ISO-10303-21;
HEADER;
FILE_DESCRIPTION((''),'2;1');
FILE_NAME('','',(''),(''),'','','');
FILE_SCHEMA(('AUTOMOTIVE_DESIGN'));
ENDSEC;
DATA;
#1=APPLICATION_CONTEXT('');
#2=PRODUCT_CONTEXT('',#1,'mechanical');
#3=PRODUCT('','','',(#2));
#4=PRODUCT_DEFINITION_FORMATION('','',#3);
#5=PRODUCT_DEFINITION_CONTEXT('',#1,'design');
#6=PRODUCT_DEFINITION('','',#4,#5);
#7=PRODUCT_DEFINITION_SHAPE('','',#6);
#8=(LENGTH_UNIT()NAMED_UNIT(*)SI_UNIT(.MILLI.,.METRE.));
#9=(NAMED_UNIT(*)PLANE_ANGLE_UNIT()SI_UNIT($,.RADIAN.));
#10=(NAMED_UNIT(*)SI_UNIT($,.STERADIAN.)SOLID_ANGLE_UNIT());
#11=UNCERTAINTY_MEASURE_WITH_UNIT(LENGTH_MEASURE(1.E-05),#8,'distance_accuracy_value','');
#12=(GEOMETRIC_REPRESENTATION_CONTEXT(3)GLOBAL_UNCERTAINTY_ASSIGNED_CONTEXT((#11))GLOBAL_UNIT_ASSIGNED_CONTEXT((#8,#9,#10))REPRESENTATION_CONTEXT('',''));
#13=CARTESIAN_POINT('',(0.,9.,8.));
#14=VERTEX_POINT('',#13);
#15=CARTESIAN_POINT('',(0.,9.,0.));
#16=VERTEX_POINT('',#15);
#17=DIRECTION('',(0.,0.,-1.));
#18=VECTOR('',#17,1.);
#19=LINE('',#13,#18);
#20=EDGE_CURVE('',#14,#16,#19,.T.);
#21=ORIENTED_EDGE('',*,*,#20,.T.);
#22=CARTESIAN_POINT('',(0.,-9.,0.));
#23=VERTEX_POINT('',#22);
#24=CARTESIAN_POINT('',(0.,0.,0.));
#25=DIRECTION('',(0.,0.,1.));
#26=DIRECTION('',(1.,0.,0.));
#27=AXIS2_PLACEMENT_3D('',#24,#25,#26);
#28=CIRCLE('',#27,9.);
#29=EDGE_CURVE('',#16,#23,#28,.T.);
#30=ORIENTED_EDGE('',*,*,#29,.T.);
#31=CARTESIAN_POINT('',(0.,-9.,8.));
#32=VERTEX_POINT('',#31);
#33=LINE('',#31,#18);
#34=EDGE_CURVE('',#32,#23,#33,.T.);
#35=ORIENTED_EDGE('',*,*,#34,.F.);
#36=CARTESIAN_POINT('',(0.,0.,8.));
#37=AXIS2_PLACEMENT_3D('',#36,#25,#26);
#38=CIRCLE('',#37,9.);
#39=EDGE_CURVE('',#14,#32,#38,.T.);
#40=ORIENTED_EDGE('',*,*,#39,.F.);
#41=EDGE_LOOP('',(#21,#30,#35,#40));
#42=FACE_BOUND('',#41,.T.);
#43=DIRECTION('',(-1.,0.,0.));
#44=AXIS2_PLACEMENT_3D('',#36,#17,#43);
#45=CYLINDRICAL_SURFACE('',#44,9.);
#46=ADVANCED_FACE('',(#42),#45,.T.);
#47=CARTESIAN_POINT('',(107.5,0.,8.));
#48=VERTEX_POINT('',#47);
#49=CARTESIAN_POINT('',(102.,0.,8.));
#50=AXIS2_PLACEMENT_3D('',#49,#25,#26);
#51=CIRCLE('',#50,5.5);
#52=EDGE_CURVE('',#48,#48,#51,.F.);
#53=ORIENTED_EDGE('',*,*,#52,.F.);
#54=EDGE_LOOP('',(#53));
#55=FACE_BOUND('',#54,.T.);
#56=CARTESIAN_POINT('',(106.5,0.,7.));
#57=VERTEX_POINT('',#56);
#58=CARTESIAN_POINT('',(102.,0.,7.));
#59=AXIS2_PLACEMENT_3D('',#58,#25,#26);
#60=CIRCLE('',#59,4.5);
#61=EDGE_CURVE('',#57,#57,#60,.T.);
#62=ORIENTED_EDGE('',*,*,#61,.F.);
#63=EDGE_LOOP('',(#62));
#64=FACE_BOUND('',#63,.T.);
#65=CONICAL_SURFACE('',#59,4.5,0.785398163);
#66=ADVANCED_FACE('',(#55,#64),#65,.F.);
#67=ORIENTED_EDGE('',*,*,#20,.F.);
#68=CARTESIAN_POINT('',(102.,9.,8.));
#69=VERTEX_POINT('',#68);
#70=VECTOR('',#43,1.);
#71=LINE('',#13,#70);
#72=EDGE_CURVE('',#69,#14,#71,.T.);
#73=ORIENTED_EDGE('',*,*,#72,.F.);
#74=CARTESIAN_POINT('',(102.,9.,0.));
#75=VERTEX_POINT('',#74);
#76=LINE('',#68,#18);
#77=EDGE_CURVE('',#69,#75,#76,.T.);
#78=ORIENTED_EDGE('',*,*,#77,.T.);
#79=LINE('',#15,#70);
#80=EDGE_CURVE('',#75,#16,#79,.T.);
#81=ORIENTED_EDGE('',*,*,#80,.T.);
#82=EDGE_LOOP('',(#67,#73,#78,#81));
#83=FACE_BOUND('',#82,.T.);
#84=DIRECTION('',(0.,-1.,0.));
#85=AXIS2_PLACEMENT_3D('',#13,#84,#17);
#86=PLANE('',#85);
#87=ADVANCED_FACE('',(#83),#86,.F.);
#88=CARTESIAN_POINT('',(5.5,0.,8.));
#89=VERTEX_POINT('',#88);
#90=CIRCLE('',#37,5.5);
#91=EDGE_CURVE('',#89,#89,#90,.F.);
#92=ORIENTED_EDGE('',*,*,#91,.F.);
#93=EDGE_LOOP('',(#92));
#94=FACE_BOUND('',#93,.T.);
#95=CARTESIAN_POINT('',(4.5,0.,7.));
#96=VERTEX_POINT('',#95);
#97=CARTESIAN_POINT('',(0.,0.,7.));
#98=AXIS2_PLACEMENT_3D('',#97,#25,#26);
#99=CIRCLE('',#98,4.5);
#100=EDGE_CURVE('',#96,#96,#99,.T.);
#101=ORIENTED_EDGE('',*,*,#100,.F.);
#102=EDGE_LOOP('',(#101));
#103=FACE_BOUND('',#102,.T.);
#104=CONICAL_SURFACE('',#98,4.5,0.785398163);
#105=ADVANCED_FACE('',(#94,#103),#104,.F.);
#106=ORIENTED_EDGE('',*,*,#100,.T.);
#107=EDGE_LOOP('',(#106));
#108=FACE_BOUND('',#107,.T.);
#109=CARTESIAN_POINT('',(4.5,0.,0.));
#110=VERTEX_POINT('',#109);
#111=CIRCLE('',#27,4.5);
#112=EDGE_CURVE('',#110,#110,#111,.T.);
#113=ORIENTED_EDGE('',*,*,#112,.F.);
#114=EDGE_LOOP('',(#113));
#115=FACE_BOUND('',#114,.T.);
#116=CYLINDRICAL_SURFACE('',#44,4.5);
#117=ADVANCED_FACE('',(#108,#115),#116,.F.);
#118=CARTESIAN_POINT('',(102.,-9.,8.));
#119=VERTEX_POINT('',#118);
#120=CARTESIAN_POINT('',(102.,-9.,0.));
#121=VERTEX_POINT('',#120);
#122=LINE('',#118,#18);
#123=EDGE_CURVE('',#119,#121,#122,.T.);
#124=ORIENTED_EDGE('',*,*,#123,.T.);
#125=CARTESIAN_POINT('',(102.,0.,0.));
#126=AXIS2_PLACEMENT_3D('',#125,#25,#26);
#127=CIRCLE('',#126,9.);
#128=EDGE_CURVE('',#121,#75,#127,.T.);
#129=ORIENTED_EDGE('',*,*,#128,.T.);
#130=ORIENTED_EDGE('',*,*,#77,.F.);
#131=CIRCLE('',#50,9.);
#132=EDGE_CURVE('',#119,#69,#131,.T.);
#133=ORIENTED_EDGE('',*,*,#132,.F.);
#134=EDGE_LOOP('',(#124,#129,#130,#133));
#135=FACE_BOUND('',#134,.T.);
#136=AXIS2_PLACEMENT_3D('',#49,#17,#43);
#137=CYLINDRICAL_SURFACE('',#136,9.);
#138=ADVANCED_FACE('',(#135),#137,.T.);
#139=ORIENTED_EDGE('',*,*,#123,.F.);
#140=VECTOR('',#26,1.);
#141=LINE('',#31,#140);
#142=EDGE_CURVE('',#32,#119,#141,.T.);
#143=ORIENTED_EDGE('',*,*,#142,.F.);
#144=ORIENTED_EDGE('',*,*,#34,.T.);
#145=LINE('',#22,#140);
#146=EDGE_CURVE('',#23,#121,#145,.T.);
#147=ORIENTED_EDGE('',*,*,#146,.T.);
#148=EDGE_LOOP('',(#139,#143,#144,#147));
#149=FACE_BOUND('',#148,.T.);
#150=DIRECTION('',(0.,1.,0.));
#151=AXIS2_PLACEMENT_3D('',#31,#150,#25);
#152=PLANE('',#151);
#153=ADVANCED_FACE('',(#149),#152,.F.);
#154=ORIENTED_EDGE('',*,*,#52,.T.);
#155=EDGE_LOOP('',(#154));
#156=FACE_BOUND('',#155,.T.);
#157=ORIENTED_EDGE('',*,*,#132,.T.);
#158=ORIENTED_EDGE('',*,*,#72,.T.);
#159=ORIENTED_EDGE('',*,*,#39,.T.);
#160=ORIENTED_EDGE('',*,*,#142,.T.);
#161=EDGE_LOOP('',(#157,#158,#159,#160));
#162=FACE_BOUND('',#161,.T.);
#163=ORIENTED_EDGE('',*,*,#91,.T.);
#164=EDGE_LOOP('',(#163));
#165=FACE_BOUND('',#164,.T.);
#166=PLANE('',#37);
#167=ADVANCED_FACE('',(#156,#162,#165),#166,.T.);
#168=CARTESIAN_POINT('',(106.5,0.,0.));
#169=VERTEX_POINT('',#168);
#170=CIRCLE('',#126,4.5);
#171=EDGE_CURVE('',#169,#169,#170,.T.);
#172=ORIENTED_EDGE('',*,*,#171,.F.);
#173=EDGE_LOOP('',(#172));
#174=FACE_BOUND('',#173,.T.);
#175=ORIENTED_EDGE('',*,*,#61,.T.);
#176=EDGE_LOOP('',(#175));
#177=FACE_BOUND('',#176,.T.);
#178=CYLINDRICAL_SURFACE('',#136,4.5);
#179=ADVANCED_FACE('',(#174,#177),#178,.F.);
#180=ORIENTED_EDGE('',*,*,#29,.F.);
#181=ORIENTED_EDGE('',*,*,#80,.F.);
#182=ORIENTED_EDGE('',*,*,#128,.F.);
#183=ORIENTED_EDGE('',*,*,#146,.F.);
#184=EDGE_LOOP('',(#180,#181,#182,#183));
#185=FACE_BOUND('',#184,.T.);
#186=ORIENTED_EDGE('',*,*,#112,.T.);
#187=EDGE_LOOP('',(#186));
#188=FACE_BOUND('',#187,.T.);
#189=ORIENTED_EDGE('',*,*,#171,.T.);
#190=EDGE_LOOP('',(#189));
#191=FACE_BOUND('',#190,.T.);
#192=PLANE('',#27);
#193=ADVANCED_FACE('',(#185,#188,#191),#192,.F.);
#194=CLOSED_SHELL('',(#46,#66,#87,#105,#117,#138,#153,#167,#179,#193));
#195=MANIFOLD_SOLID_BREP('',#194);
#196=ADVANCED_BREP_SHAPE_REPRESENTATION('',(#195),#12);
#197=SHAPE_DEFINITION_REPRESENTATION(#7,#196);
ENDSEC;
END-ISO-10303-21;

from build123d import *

# Parameters (mm, degrees)
SKETCH1_R           = 4.5
BOSS_EXTRUDE1_DEPTH = 8
CHAMFER1_SIZE       = 1


with BuildPart() as part:
    # Sketch1 → Boss-Extrude1 (new body)
    with BuildSketch(Plane.XY):
        with BuildLine():
            Line((0, 9), (102, 9))
            ThreePointArc((102, 9), (111, 0), (102, -9))
            Line((102, -9), (0, -9))
            ThreePointArc((0, -9), (-9, 0), (0, 9))
        make_face()
        Circle(SKETCH1_R, mode=Mode.SUBTRACT)
        with Locations((102, 0)):
            Circle(SKETCH1_R, mode=Mode.SUBTRACT)
    extrude(amount=BOSS_EXTRUDE1_DEPTH)

    # Chamfer1
    chamfer1_edges = [part.edges().sort_by_distance(p)[0] for p in [
        (-4.5, 0, 8),
        (97.5, 0, 8),
    ]]
    chamfer(chamfer1_edges, length=CHAMFER1_SIZE)


solid = part.part
